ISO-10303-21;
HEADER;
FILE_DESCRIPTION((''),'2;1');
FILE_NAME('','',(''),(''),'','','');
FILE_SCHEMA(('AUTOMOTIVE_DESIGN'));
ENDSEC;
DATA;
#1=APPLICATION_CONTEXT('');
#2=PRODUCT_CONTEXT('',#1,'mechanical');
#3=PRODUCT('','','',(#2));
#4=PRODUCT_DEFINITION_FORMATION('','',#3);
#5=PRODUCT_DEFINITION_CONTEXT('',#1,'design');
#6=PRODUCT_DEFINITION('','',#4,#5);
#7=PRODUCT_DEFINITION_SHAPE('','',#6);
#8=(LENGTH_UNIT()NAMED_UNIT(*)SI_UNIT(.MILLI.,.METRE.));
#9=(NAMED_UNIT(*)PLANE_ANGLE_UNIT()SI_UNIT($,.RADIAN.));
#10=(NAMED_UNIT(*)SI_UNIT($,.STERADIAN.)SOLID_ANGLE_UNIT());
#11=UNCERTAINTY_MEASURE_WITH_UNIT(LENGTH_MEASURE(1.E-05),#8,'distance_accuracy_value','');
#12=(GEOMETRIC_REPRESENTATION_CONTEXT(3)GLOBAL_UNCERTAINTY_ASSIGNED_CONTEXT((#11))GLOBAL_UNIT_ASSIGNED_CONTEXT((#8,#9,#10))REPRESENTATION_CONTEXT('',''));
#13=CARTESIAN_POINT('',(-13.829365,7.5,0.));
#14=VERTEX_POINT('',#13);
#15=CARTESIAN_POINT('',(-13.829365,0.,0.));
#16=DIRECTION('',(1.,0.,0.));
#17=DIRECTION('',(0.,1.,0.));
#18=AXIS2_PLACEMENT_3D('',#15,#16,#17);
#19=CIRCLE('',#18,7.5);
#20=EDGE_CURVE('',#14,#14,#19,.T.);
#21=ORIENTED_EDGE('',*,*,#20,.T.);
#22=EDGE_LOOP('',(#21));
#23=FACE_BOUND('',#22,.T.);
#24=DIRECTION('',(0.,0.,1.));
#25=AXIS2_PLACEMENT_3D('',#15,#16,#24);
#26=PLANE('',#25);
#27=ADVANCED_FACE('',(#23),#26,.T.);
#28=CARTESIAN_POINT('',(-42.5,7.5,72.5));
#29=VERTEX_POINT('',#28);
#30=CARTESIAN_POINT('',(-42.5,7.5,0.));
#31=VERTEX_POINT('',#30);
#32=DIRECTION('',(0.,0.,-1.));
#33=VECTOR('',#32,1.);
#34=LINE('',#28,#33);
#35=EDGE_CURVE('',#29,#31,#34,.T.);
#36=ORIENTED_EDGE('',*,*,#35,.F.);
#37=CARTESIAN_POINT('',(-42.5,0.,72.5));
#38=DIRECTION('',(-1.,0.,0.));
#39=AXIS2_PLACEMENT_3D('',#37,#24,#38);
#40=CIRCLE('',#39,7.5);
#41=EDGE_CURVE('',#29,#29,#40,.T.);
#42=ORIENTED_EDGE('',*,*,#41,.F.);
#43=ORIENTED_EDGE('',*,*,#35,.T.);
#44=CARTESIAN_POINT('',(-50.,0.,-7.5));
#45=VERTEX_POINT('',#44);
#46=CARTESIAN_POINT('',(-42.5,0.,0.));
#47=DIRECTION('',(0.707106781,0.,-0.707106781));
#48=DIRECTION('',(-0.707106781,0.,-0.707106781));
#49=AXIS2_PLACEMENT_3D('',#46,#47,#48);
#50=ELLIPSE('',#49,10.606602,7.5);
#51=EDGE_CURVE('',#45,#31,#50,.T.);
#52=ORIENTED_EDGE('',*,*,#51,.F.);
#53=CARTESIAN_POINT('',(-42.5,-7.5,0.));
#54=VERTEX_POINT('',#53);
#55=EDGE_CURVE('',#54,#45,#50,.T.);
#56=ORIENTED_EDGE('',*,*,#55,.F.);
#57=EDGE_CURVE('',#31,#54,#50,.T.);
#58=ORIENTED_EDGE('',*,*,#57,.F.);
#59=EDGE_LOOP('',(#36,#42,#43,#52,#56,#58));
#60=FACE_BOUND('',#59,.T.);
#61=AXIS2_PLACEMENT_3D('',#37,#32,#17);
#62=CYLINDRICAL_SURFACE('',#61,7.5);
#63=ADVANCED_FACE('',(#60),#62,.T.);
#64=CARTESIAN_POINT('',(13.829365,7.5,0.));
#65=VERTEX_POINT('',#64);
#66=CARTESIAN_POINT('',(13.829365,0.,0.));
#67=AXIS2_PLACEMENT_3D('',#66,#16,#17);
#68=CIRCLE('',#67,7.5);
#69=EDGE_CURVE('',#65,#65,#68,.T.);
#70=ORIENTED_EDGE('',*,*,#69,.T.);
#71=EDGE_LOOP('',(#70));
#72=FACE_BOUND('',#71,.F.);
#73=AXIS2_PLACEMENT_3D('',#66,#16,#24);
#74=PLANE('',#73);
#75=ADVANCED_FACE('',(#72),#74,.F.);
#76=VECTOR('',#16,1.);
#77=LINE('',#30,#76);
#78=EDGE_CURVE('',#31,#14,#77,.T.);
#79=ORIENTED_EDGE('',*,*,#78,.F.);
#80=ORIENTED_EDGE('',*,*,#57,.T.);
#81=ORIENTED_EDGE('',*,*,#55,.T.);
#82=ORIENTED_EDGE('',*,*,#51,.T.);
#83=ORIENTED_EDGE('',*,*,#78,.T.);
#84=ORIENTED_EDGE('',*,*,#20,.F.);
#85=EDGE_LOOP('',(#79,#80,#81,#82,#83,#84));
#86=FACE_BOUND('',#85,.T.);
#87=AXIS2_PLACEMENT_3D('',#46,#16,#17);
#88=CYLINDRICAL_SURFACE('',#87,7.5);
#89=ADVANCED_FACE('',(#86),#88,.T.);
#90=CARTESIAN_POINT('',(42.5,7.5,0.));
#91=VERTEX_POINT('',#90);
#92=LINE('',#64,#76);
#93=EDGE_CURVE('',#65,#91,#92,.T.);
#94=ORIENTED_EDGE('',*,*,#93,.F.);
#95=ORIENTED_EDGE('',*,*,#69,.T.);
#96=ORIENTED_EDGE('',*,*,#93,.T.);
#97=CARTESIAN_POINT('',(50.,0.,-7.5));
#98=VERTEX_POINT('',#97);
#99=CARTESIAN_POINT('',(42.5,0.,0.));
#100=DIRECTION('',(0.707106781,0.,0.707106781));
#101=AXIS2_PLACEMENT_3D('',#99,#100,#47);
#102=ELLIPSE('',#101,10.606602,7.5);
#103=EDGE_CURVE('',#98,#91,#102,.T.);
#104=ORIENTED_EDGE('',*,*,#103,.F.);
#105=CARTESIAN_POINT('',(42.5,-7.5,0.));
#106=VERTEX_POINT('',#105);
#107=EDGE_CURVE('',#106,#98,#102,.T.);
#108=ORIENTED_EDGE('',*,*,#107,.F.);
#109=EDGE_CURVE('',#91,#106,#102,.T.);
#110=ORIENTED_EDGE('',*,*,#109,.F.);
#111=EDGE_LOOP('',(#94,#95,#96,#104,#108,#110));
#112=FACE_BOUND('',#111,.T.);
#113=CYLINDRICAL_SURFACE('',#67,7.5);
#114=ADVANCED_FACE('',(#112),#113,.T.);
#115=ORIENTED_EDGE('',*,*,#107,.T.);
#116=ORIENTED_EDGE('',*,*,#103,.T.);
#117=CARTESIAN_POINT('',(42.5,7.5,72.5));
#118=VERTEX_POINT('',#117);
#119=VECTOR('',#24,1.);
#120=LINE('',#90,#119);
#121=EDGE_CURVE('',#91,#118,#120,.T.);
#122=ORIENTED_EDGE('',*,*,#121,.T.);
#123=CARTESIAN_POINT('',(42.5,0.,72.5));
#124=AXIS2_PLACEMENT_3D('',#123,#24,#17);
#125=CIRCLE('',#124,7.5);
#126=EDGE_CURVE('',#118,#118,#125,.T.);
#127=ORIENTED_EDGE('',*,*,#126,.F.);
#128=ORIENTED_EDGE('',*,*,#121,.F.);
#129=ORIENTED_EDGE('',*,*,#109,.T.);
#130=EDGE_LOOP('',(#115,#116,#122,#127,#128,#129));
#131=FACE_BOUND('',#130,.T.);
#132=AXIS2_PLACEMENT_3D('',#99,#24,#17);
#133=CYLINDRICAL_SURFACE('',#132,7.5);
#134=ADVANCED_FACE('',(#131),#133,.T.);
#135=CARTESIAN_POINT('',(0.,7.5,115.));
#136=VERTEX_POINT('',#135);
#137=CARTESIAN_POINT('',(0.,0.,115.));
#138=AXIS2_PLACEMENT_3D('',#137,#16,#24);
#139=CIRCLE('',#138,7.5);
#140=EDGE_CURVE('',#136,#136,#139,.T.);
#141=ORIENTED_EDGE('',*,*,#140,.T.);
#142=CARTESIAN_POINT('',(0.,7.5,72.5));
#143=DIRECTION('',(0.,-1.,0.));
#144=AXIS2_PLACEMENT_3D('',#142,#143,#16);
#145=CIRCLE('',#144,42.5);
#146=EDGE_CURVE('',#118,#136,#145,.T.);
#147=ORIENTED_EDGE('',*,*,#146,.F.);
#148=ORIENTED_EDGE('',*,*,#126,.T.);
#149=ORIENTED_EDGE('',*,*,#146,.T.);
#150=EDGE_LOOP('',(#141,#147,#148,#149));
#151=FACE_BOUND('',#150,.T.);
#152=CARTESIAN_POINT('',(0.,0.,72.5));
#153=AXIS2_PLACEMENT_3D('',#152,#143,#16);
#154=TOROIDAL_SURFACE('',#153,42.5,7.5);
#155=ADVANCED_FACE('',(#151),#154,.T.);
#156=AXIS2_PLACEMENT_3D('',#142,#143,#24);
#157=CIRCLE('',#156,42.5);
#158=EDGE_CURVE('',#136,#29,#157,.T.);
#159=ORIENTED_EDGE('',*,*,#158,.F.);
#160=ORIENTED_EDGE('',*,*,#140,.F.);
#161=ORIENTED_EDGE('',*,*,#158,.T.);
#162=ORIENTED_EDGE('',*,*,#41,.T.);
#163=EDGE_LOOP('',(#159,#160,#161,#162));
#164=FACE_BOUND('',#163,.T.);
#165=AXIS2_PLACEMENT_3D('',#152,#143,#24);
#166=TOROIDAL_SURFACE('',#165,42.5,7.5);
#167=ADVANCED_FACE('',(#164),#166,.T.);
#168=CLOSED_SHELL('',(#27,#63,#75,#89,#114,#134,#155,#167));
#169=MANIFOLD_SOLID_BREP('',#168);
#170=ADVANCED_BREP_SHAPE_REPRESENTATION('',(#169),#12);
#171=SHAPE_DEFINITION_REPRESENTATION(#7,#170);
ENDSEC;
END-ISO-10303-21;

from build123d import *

# Parameters (mm, degrees)
F2_R = 7.5


with BuildPart() as f3:
    # F3: sweep along a path in F0
    with BuildLine(Plane.XZ) as f3_path:
        Line((13.8293646224, 0), (42.5, 0))
        Line((42.5, 0), (42.5, 72.5))
        ThreePointArc((42.5, 72.5), (30.0520382004, 102.5520382004), (0, 115))
        ThreePointArc((0, 115), (-30.0520382004, 102.5520382004), (-42.5, 72.5))
        Line((-42.5, 72.5), (-42.5, 0))
        Line((-42.5, 0), (-13.8293646224, 0))
    # F2 (on plane+point) → F3 (sweep)
    with BuildSketch(Plane.YZ.offset(-13.8293646224)):
        Circle(F2_R)
    sweep(path=f3_path.line, transition=Transition.RIGHT)


solid = f3.part
